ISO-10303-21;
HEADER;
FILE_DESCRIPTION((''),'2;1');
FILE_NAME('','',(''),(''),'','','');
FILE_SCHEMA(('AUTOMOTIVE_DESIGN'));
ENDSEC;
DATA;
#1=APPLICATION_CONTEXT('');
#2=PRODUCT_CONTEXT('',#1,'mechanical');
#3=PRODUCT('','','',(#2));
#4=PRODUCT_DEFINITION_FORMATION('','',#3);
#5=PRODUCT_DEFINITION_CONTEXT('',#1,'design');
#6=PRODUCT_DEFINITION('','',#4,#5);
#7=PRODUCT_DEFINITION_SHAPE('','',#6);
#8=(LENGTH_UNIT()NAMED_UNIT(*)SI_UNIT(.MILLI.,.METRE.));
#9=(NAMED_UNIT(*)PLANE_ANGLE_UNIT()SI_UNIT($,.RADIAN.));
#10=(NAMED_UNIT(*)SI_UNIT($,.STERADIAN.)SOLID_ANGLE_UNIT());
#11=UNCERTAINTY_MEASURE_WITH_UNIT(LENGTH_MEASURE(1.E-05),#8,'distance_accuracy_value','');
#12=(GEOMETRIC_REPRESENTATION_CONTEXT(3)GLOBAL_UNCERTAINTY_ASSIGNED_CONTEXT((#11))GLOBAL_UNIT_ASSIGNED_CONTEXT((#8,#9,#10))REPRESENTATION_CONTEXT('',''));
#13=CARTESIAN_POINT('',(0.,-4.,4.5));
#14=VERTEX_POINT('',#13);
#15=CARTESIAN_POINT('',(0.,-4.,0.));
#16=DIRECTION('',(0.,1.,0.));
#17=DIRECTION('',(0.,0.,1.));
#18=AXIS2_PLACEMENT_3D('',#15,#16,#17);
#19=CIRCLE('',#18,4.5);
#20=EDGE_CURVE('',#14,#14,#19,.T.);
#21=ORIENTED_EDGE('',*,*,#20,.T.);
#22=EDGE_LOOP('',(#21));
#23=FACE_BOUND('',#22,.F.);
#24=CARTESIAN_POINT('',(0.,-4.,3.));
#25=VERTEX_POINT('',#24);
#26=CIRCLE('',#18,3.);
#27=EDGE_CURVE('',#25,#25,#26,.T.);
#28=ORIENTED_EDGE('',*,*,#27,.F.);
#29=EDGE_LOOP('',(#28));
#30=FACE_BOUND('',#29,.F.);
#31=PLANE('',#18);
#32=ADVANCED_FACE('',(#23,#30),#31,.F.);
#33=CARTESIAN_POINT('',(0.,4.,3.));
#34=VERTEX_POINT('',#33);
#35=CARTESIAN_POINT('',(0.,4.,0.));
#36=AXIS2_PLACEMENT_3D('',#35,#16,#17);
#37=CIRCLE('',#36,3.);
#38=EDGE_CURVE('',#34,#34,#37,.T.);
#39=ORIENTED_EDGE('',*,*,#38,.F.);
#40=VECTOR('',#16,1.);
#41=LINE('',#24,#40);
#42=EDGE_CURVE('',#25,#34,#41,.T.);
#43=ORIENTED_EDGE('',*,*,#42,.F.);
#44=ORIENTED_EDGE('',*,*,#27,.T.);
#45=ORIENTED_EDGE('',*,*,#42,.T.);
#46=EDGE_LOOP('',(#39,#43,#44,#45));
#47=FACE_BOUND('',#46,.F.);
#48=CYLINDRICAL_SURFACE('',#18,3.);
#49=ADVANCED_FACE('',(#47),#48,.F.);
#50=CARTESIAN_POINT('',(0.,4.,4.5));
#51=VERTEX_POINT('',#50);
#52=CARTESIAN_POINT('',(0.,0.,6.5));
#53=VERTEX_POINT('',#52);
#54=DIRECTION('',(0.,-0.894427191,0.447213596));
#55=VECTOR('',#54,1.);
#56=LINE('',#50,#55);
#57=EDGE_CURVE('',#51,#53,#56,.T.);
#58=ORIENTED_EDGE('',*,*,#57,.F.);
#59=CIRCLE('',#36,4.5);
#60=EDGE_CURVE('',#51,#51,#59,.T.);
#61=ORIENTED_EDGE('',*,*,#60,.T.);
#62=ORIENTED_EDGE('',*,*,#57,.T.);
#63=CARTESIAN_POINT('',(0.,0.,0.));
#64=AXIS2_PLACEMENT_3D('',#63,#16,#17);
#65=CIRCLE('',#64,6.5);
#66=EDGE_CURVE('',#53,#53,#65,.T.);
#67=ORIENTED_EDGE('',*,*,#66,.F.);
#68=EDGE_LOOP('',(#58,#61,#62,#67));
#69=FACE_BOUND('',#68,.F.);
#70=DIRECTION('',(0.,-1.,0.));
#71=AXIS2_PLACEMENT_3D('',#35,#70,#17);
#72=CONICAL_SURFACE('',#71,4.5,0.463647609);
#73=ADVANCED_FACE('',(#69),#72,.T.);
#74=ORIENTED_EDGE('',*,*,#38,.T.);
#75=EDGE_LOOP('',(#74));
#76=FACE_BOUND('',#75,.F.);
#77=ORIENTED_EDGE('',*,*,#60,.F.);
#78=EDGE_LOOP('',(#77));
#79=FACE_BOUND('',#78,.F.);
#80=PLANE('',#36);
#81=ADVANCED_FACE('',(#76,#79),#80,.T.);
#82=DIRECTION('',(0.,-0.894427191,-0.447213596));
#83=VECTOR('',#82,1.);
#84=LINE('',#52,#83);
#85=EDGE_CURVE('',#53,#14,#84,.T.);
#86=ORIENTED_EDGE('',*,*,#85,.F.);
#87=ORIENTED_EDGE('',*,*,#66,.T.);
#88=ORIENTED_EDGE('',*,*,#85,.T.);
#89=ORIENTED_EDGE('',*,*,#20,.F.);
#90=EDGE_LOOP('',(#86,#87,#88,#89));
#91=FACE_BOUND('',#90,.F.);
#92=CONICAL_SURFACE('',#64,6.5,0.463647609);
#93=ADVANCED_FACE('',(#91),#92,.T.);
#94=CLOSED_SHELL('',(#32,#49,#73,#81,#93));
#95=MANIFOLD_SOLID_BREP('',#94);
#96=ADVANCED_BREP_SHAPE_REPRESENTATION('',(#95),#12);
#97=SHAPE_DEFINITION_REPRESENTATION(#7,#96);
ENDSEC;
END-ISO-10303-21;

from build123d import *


with BuildPart() as f1:
    # F0 (on Right) → F1 (revolve)
    with BuildSketch(Plane.YZ):
        Polygon((-4, 3), (4, 3), (4, 4.5), (0, 6.5), (-4, 4.5), align=None)
    revolve(axis=Axis((0, -2, 0), (0, 1, 0)))


solid = f1.part
